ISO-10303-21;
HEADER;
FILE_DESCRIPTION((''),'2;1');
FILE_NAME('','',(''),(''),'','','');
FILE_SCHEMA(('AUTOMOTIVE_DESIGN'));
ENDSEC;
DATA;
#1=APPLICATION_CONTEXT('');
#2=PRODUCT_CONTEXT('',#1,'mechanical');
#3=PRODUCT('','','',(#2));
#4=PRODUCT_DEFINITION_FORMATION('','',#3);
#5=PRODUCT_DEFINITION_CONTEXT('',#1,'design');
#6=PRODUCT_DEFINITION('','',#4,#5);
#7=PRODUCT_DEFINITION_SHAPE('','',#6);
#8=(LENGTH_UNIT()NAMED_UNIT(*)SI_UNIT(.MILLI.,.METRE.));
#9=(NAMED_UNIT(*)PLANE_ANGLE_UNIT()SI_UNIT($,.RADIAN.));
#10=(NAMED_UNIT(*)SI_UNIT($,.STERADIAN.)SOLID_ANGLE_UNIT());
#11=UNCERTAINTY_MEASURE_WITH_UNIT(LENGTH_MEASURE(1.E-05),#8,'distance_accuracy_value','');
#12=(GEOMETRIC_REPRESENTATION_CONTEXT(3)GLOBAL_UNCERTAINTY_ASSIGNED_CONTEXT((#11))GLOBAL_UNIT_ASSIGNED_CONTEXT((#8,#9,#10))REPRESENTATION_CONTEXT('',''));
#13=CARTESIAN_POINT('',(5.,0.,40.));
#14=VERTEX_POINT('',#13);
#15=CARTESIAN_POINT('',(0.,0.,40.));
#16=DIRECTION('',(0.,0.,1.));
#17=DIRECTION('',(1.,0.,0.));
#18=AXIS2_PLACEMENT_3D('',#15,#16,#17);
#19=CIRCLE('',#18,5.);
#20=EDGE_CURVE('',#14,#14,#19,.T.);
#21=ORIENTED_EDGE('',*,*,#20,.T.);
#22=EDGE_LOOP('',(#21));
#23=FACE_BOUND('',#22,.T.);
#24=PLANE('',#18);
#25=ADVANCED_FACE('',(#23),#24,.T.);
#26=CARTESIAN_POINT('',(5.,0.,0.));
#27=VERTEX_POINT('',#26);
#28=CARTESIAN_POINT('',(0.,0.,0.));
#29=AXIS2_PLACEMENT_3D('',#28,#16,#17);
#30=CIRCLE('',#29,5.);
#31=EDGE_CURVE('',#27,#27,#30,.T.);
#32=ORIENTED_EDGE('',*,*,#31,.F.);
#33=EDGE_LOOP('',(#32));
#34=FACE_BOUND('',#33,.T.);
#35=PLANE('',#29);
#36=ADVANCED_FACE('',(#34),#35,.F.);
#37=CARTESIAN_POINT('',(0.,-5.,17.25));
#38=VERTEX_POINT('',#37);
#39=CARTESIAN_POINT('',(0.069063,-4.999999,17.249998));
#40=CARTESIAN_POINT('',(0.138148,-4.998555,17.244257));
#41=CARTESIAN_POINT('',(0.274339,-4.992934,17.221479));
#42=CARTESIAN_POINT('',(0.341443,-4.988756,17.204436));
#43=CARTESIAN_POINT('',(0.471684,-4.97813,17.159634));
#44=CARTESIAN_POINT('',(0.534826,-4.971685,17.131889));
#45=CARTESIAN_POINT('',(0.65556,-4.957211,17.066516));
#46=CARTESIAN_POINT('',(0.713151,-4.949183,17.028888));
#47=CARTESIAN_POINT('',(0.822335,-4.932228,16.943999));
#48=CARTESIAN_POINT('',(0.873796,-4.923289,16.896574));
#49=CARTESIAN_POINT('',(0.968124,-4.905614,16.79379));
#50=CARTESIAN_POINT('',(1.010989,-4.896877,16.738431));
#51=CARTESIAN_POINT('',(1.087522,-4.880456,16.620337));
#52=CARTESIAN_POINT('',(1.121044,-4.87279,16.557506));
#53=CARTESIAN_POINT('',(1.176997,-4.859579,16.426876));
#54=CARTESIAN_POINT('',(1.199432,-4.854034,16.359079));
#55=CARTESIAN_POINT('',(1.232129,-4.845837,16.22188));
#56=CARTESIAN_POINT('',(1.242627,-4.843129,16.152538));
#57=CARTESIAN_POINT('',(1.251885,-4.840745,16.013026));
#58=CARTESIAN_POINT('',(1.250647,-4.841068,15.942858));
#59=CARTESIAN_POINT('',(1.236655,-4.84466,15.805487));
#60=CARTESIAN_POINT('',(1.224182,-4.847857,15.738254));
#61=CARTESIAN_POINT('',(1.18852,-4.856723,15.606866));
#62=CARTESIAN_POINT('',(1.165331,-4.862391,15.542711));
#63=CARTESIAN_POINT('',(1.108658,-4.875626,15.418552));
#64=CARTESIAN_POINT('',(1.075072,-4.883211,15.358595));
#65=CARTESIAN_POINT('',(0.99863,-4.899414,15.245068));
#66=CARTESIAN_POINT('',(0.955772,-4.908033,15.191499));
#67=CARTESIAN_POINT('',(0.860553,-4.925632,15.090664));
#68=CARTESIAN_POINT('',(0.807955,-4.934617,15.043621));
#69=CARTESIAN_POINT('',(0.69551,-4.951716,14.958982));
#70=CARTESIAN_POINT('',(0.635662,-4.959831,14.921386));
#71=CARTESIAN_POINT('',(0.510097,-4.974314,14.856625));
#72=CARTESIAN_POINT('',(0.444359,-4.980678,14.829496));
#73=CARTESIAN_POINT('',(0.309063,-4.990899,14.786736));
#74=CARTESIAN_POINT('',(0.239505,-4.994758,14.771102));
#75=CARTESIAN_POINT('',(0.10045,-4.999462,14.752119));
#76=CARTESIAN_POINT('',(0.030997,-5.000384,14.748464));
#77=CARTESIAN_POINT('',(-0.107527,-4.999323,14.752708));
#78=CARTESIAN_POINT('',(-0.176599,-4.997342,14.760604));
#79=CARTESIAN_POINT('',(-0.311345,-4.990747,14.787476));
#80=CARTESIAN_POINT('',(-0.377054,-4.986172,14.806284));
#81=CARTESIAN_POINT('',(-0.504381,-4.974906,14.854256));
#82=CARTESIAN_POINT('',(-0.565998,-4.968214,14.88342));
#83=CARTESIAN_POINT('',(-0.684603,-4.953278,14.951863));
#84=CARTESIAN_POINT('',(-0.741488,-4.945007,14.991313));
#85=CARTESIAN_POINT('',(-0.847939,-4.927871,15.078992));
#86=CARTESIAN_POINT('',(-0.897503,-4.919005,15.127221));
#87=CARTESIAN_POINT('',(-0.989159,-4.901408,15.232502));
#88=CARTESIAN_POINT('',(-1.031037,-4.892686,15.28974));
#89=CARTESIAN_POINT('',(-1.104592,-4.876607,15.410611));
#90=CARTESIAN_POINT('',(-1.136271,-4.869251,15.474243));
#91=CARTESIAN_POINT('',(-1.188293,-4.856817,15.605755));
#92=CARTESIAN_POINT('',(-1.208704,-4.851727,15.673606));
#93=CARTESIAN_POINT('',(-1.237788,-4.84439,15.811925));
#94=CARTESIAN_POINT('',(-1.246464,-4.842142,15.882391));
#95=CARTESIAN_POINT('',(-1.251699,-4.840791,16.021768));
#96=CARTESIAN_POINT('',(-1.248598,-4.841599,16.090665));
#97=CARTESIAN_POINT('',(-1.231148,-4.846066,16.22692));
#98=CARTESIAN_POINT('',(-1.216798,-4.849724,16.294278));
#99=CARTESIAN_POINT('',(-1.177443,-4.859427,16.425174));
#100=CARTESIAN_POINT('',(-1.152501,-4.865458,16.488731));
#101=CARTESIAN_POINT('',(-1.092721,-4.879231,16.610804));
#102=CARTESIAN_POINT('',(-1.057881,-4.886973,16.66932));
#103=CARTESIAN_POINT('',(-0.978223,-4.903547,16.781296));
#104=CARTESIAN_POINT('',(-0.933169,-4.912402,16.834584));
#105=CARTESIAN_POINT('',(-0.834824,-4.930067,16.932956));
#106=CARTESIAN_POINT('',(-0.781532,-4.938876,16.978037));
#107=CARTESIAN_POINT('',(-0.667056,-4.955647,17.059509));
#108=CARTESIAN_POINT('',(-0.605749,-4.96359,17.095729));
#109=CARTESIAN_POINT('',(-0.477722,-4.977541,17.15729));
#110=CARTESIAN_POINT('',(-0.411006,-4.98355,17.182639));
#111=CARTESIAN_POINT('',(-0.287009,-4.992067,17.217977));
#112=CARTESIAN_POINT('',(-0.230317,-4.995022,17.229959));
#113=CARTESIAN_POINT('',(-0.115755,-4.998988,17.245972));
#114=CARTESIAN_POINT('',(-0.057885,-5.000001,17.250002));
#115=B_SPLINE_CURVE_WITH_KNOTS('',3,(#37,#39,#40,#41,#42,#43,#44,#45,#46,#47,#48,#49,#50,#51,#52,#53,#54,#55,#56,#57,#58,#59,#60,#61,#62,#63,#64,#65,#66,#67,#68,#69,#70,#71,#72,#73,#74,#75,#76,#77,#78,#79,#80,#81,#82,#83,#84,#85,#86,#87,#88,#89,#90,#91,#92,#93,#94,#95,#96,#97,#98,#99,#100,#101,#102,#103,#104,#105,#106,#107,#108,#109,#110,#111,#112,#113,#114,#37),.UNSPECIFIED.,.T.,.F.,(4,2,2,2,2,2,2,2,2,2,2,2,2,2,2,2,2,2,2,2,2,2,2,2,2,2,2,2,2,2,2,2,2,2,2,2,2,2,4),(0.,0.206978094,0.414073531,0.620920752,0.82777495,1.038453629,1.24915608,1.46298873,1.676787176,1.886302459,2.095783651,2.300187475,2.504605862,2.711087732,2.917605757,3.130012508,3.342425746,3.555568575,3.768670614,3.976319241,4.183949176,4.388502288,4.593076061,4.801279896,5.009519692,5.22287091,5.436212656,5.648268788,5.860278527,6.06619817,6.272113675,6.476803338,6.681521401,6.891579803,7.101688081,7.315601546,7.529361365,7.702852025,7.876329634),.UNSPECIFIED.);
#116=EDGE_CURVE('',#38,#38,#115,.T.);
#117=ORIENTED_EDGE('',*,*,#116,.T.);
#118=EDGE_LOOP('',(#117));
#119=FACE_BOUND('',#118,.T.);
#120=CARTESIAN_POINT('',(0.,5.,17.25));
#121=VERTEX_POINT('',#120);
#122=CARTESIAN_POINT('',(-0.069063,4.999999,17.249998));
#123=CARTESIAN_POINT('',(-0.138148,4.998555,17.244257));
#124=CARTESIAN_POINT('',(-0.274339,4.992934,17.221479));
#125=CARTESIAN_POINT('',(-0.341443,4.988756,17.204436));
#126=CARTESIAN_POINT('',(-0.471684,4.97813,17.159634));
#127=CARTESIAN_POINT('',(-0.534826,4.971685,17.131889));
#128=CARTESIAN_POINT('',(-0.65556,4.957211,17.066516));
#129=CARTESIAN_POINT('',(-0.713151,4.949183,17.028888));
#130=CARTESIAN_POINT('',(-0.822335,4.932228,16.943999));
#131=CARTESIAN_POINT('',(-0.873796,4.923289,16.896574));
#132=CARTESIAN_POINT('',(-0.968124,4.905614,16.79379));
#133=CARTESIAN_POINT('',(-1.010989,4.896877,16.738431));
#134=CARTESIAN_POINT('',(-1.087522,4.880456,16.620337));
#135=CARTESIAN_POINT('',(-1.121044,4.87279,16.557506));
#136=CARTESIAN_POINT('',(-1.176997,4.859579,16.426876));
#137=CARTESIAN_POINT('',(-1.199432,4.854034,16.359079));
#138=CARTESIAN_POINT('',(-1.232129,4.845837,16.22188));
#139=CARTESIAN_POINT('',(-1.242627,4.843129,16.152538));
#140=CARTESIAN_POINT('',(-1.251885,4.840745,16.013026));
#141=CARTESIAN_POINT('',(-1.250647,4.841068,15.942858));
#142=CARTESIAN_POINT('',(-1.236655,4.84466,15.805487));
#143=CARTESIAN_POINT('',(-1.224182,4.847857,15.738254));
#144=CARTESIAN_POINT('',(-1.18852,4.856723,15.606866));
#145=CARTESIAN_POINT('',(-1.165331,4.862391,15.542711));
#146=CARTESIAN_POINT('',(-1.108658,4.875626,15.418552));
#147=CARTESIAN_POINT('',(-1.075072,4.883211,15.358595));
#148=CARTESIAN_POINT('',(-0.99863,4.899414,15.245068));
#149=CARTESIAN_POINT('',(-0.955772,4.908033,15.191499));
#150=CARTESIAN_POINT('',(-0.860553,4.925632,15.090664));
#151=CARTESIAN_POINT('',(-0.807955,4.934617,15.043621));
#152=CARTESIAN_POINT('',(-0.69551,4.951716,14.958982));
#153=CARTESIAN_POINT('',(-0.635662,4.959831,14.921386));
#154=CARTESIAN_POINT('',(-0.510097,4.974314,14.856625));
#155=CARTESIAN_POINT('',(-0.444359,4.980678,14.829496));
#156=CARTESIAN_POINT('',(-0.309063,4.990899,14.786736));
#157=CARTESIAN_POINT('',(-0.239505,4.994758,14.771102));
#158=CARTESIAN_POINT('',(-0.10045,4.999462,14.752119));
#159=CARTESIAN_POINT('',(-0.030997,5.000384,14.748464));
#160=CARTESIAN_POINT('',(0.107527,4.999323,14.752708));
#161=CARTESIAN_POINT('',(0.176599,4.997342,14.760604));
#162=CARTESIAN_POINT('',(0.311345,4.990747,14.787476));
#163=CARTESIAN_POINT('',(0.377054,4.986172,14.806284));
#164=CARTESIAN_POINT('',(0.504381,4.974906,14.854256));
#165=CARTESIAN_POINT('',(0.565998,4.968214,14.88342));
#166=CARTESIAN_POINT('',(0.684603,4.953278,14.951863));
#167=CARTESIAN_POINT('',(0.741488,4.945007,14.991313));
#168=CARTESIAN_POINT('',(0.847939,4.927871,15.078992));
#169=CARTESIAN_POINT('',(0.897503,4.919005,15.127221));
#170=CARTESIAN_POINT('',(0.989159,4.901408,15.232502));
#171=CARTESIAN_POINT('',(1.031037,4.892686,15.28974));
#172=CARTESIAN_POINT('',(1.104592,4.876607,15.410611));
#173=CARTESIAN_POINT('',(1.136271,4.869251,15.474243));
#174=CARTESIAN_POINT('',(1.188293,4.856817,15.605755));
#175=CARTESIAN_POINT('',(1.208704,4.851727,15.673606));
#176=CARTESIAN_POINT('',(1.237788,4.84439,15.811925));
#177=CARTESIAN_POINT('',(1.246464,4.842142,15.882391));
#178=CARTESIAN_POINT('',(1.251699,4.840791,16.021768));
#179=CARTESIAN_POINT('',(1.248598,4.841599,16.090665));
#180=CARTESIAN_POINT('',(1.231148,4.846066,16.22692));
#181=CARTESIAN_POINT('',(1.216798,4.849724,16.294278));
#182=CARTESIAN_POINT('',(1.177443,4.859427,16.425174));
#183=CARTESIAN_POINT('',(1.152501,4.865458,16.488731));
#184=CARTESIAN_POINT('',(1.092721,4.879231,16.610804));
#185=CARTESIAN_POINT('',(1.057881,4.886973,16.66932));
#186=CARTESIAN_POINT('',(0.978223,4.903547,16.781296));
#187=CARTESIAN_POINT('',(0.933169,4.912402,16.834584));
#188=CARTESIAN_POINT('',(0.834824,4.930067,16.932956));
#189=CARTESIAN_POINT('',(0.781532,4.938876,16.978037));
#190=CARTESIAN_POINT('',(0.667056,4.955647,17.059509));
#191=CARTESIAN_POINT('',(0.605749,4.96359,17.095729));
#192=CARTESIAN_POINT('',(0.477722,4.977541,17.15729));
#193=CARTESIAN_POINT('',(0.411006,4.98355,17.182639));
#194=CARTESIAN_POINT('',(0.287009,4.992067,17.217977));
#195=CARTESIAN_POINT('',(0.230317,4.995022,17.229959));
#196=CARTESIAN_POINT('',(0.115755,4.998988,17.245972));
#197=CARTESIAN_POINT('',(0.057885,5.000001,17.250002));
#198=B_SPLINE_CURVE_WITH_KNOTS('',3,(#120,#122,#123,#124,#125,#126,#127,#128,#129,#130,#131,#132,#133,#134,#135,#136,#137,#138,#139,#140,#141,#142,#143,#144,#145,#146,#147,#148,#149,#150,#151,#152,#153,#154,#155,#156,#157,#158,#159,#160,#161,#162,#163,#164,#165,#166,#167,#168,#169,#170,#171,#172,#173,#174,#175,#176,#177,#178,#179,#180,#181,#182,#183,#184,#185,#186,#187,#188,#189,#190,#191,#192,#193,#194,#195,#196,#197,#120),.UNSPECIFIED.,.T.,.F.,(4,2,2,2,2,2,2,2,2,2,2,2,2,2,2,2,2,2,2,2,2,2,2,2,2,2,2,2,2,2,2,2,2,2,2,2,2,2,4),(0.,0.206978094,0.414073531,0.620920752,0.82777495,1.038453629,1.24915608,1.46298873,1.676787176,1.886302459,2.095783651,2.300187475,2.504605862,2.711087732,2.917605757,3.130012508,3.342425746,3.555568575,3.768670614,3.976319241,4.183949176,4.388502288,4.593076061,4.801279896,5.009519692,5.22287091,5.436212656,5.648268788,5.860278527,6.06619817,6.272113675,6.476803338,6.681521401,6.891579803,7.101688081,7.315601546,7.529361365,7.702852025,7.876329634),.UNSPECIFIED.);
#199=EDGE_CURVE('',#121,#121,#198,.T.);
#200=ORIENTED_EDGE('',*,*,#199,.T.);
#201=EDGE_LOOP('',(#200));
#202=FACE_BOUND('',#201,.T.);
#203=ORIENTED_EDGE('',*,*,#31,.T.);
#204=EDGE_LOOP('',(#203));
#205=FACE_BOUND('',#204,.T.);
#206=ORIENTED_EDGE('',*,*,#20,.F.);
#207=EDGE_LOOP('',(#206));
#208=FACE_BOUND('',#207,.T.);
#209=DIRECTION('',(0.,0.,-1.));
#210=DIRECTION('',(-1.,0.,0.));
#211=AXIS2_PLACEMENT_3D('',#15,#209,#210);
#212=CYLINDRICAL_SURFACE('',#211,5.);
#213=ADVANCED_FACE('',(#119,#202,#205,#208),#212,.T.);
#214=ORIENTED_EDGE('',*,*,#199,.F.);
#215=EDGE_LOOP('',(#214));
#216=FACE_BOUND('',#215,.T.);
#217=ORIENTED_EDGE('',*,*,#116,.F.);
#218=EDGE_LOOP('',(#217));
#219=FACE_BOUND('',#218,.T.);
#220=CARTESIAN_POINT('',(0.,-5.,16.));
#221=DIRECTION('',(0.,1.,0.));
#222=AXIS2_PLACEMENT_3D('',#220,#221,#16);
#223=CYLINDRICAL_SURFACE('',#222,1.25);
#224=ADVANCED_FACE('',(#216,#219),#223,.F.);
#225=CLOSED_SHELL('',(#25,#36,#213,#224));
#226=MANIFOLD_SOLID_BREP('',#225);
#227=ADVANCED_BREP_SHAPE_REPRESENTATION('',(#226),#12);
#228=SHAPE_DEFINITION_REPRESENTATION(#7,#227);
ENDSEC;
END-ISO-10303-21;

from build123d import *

# Parameters (mm, degrees)
SKETCH_2_R               = 5
EXTRUDE_1_DEPTH          = 40
SKETCH_3_R               = 1.25
CUT_EXTRUDE_1_DEPTH      = 6
CUT_EXTRUDE_1_DEPTH_BACK = 6


with BuildPart() as part:
    # ｽｹｯﾁ2 → ﾎﾞｽ - 押し出し1 (new body)
    with BuildSketch(Plane.XY):
        Circle(SKETCH_2_R)
    extrude(amount=EXTRUDE_1_DEPTH)

    # ｽｹｯﾁ3 → ｶｯﾄ - 押し出し1 (cut, two sides)
    with BuildSketch(Plane(origin=(0, 0, 0), x_dir=(1, 0, 0), z_dir=(0, 1, 0))) as cut_extrude_1_sk:
        with Locations((0, -16)):
            Circle(SKETCH_3_R)
    extrude(amount=CUT_EXTRUDE_1_DEPTH, mode=Mode.SUBTRACT)
    extrude(cut_extrude_1_sk.sketch, amount=-CUT_EXTRUDE_1_DEPTH_BACK, mode=Mode.SUBTRACT)


solid = part.part
